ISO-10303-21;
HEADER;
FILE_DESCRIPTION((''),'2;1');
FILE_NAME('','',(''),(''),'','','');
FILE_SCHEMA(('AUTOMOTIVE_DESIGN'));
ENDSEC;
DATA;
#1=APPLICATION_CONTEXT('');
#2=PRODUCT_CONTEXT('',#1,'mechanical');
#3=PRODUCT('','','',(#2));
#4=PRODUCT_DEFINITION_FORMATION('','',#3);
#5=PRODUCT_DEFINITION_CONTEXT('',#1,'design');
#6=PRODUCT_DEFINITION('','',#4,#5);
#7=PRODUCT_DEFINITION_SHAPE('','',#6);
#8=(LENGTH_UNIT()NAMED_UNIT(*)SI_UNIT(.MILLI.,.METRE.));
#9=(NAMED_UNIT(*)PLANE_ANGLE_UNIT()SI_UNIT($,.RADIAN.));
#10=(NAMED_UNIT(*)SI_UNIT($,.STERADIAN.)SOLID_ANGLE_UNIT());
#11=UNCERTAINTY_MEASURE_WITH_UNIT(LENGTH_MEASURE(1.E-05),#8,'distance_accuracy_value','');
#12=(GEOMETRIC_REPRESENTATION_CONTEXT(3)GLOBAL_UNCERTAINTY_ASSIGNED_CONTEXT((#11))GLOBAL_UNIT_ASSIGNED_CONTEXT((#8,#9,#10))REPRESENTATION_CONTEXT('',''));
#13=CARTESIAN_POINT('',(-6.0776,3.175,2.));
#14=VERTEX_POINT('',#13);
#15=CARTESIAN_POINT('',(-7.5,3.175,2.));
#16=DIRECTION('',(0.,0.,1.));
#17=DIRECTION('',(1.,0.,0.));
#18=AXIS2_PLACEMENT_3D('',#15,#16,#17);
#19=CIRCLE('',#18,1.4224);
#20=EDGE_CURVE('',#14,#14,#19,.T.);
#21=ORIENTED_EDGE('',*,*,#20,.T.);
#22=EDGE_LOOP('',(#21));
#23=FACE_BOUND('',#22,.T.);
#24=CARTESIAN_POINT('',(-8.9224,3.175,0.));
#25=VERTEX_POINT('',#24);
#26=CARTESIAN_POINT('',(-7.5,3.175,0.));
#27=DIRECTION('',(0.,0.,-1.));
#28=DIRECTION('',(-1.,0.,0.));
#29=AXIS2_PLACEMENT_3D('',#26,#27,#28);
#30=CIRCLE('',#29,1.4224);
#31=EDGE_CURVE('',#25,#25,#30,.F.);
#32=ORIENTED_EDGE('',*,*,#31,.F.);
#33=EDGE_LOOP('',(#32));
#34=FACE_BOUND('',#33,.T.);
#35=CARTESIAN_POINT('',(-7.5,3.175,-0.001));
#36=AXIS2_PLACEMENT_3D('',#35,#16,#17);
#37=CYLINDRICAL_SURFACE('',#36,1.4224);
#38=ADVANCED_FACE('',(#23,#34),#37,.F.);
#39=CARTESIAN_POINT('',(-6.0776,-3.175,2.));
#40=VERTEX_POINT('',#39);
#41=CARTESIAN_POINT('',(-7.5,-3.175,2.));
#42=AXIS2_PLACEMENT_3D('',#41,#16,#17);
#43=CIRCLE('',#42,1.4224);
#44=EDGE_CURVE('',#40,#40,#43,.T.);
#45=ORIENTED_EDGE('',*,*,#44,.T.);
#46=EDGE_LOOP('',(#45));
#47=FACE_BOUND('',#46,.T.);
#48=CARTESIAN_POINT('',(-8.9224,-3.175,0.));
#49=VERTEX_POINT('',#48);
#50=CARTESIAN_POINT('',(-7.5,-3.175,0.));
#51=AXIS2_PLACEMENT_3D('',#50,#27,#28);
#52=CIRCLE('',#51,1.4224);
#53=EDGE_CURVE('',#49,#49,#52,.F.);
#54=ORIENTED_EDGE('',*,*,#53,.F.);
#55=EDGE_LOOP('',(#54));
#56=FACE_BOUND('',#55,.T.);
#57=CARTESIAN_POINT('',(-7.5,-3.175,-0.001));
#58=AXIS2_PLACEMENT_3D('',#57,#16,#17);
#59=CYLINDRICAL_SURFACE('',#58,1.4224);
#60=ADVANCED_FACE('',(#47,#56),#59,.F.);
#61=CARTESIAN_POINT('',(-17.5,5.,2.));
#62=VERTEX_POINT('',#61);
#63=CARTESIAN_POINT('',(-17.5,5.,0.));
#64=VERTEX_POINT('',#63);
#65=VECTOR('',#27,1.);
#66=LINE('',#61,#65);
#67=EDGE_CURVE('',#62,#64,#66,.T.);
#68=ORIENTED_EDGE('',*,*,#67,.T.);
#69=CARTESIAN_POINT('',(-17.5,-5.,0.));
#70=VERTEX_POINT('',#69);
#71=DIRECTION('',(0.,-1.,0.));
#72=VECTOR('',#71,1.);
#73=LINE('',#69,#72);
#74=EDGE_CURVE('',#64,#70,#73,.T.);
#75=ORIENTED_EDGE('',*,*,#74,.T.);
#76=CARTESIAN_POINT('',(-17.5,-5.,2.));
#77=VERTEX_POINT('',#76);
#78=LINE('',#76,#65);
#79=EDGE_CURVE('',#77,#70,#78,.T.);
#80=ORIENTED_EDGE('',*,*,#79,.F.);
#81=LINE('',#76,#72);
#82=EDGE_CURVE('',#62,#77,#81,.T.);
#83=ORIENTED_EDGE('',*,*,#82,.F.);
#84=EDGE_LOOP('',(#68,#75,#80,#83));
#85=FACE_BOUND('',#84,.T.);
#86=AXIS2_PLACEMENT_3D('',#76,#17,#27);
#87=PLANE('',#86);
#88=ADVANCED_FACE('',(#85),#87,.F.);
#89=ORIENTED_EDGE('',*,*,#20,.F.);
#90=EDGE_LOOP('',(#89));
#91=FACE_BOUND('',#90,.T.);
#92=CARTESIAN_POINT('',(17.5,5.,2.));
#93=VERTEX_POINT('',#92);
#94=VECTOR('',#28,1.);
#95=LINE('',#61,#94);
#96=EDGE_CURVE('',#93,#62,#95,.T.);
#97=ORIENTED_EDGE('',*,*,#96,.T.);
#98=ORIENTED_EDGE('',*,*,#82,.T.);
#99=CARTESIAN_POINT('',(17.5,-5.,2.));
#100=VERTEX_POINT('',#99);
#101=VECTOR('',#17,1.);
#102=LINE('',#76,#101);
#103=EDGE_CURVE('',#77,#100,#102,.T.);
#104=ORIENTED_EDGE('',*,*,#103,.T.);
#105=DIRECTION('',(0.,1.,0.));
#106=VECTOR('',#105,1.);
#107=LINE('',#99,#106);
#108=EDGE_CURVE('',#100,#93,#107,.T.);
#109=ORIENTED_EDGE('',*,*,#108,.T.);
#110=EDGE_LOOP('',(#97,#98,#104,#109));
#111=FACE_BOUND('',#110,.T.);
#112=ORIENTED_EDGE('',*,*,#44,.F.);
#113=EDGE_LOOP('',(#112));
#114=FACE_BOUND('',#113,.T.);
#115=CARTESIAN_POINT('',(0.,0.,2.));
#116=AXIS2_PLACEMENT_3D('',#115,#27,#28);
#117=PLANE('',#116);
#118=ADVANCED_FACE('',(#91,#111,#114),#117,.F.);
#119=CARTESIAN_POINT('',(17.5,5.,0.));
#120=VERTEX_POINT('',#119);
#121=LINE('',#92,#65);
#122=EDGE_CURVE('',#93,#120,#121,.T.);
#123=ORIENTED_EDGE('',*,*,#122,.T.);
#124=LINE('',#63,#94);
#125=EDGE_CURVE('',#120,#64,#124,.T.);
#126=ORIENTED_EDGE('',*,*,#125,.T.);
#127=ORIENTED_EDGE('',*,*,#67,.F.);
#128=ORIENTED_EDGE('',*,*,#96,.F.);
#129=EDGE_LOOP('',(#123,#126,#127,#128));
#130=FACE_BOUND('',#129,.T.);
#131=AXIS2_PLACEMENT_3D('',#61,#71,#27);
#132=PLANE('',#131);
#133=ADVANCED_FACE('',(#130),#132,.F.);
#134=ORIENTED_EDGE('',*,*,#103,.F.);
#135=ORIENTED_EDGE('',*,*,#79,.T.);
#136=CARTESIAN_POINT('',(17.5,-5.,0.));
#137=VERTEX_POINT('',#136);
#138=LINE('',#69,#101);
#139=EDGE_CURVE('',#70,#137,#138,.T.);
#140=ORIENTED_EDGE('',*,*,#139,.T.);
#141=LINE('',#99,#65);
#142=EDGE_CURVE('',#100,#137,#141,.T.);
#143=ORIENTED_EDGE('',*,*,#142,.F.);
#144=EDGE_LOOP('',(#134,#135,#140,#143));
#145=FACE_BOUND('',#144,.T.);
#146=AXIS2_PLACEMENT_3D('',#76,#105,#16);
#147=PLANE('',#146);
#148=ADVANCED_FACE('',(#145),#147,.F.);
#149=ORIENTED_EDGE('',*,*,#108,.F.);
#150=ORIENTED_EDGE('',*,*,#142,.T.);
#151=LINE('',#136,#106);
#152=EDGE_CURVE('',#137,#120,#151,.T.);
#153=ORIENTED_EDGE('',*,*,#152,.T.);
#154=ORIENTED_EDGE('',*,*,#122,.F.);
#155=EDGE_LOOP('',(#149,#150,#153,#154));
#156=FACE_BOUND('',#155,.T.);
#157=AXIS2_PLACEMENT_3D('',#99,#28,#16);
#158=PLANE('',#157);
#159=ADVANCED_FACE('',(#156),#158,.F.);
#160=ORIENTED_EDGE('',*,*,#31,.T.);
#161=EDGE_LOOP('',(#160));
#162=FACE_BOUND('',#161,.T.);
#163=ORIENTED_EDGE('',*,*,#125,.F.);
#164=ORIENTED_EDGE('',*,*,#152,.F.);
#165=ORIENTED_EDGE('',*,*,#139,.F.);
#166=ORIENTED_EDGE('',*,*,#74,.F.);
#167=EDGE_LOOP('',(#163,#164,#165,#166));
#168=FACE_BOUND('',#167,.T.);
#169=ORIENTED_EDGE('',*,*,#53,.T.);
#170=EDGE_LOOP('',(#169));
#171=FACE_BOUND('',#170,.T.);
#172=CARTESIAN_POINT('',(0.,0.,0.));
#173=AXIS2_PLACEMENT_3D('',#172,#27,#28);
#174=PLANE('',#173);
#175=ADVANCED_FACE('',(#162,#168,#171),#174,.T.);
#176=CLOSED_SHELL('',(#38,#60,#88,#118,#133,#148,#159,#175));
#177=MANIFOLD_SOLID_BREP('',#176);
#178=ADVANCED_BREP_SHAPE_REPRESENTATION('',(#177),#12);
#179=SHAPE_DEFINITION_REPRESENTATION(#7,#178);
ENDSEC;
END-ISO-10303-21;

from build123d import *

# Parameters (mm, degrees)
SKETCH1_W           = 35
SKETCH1_H           = 10
BOSS_EXTRUDE1_DEPTH = 2
CUT_EXTRUDE1_REACH  = 20.31
SKETCH2_R           = 1.4224


with BuildPart() as part:
    # Sketch1 → Boss-Extrude1 (new body)
    with BuildSketch(Plane.XY):
        Rectangle(SKETCH1_W, SKETCH1_H)
    extrude(amount=BOSS_EXTRUDE1_DEPTH)

    # Sketch2 → Cut-Extrude1 (cut, up to next)
    with BuildSketch(Plane.XY.offset(2), mode=Mode.PRIVATE) as cut_extrude1_sk1:
        with Locations((-7.5, 3.175)):
            Circle(SKETCH2_R)
    cut_extrude1_tool1 = extrude(cut_extrude1_sk1.sketch, amount=-CUT_EXTRUDE1_REACH, mode=Mode.PRIVATE) & part.part
    # Sketch2 → Cut-Extrude1 (cut, up to next)
    with BuildSketch(Plane.XY.offset(2), mode=Mode.PRIVATE) as cut_extrude1_sk2:
        with Locations((-7.5, -3.175)):
            Circle(SKETCH2_R)
    cut_extrude1_tool2 = extrude(cut_extrude1_sk2.sketch, amount=-CUT_EXTRUDE1_REACH, mode=Mode.PRIVATE) & part.part
    add(cut_extrude1_tool1.solids().sort_by_distance((-7.5, 3.175, 2))[0], mode=Mode.SUBTRACT)
    add(cut_extrude1_tool2.solids().sort_by_distance((-7.5, -3.175, 2))[0], mode=Mode.SUBTRACT)


solid = part.part
